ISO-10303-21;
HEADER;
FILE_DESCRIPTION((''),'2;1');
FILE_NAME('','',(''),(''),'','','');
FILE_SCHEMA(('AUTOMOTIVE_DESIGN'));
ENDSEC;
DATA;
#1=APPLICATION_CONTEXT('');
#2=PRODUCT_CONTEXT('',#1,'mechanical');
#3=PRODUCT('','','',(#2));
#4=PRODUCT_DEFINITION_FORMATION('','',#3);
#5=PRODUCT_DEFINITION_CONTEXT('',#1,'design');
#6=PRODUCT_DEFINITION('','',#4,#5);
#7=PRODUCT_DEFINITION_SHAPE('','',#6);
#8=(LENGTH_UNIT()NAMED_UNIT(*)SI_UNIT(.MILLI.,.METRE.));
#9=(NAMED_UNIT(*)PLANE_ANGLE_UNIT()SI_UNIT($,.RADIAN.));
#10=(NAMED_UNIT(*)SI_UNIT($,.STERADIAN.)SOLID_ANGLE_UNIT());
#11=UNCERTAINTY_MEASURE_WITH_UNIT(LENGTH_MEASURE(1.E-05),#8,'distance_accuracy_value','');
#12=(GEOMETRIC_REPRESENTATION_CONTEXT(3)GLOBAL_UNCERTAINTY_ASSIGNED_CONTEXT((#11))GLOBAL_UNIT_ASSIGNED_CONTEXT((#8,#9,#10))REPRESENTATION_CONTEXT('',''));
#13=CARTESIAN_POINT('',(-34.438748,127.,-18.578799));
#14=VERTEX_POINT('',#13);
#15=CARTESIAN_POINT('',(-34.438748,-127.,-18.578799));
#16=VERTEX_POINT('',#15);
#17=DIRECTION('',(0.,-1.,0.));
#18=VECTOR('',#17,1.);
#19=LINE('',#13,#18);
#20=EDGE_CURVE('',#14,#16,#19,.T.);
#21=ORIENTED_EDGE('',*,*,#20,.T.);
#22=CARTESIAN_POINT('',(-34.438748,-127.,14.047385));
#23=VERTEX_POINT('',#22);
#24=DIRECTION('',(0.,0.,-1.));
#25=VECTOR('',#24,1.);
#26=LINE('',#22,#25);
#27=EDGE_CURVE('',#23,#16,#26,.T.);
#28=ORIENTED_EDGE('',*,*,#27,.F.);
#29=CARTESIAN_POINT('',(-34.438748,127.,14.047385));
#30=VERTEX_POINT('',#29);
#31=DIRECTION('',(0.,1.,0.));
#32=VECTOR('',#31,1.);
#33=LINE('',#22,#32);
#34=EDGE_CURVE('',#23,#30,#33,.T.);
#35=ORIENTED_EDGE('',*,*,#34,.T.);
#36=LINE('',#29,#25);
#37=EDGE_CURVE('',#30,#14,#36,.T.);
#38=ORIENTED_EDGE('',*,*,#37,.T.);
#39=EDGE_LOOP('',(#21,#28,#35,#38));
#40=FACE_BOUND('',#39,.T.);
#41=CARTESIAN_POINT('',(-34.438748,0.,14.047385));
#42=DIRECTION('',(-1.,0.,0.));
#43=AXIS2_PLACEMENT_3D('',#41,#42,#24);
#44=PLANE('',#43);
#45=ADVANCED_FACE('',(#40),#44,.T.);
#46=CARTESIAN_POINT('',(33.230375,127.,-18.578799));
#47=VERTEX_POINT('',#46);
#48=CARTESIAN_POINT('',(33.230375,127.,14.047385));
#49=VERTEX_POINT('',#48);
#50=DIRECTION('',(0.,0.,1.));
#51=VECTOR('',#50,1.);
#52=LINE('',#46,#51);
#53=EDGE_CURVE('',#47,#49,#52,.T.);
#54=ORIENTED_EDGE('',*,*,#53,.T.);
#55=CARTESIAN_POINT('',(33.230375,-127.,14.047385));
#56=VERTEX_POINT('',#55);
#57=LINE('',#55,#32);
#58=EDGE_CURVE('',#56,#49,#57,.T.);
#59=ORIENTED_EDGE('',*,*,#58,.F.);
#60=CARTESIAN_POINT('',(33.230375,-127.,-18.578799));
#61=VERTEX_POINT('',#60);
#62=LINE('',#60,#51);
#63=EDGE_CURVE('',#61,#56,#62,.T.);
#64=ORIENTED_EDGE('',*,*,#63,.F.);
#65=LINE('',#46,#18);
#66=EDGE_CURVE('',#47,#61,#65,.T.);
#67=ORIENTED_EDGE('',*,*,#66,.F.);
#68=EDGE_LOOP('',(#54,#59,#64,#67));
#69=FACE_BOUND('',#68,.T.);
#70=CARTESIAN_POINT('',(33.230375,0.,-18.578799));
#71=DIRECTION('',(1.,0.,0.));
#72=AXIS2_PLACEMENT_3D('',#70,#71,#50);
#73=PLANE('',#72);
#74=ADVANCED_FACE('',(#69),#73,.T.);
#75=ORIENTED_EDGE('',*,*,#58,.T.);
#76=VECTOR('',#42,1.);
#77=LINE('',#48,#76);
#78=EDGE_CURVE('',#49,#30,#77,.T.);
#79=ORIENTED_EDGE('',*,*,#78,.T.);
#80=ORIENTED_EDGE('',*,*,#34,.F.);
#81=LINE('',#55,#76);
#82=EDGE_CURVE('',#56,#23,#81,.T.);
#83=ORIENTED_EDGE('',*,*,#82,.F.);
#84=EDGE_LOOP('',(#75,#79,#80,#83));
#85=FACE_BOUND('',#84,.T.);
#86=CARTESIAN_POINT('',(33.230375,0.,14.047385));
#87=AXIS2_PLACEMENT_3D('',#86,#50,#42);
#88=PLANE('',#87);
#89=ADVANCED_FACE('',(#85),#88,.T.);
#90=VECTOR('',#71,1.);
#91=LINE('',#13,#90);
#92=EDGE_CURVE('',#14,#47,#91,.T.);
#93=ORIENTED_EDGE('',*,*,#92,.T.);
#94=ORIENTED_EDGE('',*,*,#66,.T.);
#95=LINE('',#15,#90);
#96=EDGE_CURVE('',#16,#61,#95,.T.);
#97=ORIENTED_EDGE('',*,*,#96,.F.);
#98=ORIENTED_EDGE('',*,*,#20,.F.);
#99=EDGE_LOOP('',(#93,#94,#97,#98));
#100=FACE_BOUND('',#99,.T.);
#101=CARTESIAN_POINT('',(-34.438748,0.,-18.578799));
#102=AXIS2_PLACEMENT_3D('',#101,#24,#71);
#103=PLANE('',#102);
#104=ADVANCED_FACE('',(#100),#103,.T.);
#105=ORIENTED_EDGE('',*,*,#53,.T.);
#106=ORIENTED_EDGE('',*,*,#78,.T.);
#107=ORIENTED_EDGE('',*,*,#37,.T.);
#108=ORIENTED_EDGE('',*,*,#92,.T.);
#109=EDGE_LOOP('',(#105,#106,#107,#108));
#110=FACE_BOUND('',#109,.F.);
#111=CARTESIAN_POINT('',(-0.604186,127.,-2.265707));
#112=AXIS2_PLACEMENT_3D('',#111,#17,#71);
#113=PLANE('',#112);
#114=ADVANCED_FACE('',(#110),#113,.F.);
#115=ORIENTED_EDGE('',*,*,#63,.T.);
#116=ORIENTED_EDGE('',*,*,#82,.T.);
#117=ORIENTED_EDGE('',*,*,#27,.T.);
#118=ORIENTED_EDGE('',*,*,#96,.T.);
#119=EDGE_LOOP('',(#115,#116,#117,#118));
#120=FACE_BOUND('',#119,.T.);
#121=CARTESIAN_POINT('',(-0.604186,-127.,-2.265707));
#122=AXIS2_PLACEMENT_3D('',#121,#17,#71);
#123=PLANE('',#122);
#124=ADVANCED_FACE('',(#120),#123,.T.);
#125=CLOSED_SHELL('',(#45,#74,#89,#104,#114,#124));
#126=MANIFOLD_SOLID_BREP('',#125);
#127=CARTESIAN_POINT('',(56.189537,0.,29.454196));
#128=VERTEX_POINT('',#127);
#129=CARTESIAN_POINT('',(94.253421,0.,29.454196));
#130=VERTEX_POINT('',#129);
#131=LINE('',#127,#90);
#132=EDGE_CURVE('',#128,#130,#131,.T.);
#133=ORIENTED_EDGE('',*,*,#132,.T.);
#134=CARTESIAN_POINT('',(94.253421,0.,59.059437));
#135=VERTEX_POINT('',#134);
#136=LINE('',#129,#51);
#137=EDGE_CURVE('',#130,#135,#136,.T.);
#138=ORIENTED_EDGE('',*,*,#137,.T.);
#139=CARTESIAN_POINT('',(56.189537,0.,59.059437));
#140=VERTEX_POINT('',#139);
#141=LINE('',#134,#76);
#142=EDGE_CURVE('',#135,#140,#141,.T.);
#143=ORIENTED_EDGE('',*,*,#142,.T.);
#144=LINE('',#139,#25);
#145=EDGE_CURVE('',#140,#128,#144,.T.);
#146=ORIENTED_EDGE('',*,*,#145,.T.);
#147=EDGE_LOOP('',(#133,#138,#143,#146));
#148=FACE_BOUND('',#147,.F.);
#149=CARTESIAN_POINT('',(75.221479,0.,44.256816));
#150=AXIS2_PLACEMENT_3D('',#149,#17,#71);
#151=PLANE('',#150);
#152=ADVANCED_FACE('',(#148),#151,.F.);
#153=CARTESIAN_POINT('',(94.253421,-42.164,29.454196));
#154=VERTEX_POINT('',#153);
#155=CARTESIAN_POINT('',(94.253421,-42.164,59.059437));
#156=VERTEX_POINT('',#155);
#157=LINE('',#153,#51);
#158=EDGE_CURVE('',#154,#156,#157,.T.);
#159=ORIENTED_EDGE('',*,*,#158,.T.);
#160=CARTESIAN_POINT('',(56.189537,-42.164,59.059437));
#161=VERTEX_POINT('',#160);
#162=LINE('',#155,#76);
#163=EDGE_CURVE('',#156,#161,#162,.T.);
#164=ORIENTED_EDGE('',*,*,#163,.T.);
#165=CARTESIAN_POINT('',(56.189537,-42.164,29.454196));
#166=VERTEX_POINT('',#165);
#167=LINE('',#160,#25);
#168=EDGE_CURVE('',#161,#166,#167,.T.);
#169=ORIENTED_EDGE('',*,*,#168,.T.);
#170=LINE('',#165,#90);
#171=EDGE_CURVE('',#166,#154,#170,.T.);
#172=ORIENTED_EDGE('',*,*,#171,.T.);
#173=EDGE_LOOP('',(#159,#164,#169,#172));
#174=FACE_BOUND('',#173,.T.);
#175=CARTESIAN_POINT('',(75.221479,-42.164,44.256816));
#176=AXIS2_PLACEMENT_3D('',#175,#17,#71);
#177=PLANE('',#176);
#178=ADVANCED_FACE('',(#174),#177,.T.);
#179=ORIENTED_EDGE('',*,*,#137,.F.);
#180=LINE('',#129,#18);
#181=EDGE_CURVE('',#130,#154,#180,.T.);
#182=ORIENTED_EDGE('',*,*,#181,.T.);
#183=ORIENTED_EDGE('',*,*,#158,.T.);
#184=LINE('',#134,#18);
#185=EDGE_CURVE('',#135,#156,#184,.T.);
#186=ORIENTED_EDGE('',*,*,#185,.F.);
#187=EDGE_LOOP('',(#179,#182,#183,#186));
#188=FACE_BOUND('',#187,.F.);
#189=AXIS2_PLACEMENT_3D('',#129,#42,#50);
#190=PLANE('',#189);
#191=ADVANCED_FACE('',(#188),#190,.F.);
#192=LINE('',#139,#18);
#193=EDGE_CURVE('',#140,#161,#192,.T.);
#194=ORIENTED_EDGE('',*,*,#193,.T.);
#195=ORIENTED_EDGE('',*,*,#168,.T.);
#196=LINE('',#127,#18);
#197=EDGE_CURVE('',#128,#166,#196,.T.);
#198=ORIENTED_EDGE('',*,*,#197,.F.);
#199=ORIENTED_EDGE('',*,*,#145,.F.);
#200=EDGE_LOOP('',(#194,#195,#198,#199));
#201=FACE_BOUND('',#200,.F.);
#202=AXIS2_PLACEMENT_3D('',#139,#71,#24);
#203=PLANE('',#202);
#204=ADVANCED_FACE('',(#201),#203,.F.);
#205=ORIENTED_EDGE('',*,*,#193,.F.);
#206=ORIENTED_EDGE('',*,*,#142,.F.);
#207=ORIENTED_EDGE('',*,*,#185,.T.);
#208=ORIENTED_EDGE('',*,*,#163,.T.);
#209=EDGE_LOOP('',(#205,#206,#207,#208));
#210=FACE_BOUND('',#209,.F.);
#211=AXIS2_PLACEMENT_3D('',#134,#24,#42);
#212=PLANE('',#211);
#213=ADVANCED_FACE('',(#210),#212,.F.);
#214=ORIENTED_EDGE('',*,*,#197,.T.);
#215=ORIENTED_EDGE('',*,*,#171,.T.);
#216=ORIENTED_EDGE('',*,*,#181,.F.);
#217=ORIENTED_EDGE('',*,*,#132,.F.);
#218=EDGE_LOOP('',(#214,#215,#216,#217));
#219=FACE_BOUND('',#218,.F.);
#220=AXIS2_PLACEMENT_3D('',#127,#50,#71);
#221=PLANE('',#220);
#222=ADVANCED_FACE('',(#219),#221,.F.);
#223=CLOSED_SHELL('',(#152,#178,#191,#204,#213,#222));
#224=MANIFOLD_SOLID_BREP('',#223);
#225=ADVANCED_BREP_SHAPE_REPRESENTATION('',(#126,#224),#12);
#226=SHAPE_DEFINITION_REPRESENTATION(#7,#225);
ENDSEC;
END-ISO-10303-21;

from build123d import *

# Parameters (mm, degrees)
F1_DEPTH = 42.164
F2_DEPTH = 127


with BuildPart() as f1:
    # F0 (on Front) → F1 (new body)
    with BuildSketch(Plane.XZ):
        Polygon((56.189537, 59.059437), (56.189537, 40.27924), (56.189537, 29.454196), (94.253421, 29.454196), (94.253421, 59.059437), align=None)
    extrude(amount=F1_DEPTH)


with BuildPart() as f2:
    # F0 (on Front) → F2 (new body, symmetric)
    with BuildSketch(Plane.XZ):
        Polygon((28.094774, 14.047385), (-34.438748, 14.047385), (-34.438748, -18.578799), (33.230375, -18.578799), (33.230375, 14.047385), align=None)
    extrude(amount=F2_DEPTH, both=True)


solid = Compound([f1.part, f2.part])
